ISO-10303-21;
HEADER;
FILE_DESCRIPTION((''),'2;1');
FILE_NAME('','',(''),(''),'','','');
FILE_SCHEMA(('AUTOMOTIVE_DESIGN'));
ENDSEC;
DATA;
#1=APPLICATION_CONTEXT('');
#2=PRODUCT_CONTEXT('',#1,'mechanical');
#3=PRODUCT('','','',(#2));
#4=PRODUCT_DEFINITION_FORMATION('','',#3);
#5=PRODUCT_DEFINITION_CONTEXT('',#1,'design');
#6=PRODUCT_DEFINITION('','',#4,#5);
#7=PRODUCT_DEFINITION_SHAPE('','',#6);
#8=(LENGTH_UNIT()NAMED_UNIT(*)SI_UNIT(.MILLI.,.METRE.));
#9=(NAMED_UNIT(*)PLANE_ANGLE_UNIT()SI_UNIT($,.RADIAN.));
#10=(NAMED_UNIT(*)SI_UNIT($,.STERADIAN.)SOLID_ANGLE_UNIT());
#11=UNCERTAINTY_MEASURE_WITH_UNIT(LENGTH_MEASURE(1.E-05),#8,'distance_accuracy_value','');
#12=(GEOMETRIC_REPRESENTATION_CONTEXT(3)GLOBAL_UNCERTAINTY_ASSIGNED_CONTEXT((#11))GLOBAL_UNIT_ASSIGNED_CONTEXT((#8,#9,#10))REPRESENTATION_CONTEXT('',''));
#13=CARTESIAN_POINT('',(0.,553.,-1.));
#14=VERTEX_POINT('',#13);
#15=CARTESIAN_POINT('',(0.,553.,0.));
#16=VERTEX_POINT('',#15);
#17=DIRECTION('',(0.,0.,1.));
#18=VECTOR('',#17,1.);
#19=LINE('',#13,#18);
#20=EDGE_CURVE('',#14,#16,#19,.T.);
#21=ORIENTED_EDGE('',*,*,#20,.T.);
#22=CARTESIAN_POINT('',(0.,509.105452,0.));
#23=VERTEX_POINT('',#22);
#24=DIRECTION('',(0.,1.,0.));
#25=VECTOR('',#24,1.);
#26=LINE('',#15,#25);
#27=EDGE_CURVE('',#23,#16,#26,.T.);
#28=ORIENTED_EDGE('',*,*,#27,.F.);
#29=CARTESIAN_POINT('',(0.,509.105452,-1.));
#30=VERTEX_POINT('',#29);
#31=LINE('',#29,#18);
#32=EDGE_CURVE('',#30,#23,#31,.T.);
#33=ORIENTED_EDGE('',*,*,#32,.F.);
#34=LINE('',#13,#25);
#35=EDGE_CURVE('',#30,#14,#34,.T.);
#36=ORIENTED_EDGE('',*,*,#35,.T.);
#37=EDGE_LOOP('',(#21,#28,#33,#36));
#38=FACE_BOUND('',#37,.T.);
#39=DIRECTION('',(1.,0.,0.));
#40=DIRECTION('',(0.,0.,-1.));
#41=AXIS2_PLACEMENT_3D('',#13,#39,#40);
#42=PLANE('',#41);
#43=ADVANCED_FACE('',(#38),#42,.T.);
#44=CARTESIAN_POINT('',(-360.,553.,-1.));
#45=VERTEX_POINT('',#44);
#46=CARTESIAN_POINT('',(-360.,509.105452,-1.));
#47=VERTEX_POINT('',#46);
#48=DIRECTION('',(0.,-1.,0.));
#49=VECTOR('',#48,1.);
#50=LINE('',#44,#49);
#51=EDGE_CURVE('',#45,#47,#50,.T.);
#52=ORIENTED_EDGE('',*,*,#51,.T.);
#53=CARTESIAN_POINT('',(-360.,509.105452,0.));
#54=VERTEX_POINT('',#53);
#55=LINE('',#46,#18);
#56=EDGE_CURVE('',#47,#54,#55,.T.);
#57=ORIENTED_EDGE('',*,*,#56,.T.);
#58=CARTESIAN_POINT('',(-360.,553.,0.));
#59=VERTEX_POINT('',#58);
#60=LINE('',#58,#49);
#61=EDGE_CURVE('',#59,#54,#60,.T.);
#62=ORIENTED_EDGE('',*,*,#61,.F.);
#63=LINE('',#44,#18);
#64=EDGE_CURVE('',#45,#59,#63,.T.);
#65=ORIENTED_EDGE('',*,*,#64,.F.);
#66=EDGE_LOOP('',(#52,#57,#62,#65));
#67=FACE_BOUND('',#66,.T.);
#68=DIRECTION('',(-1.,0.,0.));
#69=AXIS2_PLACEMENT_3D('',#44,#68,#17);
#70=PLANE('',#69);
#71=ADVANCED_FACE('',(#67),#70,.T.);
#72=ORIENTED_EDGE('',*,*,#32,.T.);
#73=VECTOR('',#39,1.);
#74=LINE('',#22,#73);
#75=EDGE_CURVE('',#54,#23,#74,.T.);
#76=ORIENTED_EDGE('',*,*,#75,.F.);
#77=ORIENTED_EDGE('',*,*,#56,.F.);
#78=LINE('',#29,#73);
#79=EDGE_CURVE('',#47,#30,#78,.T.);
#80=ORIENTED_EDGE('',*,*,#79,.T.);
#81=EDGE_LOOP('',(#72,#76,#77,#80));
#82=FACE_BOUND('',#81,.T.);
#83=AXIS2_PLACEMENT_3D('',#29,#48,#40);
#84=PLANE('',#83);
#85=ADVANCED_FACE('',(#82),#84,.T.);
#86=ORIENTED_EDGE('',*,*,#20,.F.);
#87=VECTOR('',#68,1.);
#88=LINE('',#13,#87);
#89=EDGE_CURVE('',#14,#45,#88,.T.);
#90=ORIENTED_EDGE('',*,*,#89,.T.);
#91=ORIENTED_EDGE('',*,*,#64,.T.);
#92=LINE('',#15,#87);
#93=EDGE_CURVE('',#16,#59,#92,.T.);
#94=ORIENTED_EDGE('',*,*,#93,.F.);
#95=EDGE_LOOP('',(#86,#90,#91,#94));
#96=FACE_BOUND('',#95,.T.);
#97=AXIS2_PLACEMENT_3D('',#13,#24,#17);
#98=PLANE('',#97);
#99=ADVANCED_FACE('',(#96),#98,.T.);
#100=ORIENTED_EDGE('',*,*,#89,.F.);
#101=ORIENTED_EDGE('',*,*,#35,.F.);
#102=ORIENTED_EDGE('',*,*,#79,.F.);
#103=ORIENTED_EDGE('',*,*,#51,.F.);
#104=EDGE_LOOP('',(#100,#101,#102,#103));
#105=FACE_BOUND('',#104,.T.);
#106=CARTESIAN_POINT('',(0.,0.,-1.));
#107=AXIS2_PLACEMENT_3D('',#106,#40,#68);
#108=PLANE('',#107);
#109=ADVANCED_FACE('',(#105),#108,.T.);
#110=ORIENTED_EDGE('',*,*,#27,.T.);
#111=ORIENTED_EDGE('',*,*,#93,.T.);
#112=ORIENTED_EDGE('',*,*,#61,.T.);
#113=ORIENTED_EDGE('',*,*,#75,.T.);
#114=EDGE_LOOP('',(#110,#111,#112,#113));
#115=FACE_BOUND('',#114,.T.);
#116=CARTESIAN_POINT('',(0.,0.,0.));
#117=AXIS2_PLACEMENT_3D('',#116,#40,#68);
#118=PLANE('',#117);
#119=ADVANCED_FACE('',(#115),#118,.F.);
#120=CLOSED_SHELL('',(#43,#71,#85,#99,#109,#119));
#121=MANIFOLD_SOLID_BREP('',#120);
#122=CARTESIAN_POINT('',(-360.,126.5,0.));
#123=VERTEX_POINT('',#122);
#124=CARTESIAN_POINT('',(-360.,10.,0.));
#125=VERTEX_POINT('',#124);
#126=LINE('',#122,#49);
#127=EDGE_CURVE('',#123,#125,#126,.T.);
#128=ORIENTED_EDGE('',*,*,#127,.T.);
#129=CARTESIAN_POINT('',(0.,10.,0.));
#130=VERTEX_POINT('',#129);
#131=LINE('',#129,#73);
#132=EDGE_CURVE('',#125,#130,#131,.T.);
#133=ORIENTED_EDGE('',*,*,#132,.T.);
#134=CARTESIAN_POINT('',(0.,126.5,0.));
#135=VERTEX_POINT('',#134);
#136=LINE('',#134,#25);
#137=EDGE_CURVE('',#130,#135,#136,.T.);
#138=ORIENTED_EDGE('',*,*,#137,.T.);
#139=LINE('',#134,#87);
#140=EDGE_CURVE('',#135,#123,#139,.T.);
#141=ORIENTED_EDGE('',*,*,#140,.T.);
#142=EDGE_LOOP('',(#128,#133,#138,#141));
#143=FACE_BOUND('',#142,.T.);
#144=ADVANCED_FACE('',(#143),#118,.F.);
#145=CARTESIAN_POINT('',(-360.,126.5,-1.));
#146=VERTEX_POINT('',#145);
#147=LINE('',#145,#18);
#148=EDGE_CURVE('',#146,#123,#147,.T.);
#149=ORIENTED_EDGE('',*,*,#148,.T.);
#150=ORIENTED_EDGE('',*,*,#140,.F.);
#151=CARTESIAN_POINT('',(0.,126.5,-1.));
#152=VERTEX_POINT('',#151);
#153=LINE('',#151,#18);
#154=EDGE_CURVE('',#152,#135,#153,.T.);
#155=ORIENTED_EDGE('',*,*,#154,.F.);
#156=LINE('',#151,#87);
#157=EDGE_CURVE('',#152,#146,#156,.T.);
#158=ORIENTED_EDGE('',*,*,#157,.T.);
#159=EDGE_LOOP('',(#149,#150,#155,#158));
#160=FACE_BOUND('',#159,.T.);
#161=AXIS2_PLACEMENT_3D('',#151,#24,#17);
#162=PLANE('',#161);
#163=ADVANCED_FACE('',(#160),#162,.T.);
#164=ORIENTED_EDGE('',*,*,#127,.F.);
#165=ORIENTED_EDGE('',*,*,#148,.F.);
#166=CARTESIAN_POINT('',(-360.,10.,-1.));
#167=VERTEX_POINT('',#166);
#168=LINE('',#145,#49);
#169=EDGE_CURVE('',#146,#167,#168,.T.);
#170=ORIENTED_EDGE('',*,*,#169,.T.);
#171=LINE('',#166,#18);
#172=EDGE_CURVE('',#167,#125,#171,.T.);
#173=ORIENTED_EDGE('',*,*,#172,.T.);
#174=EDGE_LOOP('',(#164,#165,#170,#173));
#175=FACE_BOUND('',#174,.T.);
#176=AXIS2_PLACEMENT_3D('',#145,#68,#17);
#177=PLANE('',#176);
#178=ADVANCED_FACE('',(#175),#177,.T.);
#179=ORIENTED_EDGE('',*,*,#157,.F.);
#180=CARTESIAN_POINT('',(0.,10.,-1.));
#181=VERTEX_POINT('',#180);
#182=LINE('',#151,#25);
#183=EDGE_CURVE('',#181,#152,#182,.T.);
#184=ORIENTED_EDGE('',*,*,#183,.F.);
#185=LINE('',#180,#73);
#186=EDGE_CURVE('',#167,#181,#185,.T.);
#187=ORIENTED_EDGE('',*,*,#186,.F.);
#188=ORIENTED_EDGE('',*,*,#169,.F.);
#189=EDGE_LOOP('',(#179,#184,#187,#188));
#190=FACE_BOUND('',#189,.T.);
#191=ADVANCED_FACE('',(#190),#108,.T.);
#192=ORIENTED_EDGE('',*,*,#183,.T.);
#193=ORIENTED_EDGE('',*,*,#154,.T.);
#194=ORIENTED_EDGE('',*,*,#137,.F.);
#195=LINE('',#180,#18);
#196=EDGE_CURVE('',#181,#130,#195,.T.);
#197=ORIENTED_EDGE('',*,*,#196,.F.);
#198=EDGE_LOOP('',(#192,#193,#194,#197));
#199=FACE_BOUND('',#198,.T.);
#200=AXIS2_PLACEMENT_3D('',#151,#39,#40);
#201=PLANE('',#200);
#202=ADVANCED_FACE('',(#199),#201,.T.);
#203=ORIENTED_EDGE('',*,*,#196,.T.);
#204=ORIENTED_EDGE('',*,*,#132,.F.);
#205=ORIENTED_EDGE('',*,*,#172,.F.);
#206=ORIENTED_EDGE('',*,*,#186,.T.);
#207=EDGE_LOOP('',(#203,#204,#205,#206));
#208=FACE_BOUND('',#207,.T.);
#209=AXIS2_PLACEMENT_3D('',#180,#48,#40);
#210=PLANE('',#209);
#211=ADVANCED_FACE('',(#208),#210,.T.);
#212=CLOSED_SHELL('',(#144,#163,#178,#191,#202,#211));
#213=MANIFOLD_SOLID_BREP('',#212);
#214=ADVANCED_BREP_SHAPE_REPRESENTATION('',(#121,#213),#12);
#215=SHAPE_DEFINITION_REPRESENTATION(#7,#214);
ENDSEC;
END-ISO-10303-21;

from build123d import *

# Parameters (mm, degrees)
SKETCH_1_W        = 360
SKETCH_1_H        = 116.500000206
EXTRUDE_1_DEPTH   = 1
SKETCH_1_H_2      = 43.894548123
EXTRUDE_1_2_DEPTH = 1


with BuildPart() as part:
    # 草图1 → 凸台-拉伸1 (new body)
    with BuildSketch(Plane.XY):
        with Locations((-180, 68.250000103)):
            Rectangle(SKETCH_1_W, SKETCH_1_H)
    extrude(amount=-EXTRUDE_1_DEPTH)


with BuildPart() as body_2:
    # 草图1 → Extrude 1 2 (new body)
    with BuildSketch(Plane.XY):
        with Locations((-180, 531.052725975)):
            Rectangle(SKETCH_1_W, SKETCH_1_H_2)
    extrude(amount=-EXTRUDE_1_2_DEPTH)


solid = Compound([part.part, body_2.part])
